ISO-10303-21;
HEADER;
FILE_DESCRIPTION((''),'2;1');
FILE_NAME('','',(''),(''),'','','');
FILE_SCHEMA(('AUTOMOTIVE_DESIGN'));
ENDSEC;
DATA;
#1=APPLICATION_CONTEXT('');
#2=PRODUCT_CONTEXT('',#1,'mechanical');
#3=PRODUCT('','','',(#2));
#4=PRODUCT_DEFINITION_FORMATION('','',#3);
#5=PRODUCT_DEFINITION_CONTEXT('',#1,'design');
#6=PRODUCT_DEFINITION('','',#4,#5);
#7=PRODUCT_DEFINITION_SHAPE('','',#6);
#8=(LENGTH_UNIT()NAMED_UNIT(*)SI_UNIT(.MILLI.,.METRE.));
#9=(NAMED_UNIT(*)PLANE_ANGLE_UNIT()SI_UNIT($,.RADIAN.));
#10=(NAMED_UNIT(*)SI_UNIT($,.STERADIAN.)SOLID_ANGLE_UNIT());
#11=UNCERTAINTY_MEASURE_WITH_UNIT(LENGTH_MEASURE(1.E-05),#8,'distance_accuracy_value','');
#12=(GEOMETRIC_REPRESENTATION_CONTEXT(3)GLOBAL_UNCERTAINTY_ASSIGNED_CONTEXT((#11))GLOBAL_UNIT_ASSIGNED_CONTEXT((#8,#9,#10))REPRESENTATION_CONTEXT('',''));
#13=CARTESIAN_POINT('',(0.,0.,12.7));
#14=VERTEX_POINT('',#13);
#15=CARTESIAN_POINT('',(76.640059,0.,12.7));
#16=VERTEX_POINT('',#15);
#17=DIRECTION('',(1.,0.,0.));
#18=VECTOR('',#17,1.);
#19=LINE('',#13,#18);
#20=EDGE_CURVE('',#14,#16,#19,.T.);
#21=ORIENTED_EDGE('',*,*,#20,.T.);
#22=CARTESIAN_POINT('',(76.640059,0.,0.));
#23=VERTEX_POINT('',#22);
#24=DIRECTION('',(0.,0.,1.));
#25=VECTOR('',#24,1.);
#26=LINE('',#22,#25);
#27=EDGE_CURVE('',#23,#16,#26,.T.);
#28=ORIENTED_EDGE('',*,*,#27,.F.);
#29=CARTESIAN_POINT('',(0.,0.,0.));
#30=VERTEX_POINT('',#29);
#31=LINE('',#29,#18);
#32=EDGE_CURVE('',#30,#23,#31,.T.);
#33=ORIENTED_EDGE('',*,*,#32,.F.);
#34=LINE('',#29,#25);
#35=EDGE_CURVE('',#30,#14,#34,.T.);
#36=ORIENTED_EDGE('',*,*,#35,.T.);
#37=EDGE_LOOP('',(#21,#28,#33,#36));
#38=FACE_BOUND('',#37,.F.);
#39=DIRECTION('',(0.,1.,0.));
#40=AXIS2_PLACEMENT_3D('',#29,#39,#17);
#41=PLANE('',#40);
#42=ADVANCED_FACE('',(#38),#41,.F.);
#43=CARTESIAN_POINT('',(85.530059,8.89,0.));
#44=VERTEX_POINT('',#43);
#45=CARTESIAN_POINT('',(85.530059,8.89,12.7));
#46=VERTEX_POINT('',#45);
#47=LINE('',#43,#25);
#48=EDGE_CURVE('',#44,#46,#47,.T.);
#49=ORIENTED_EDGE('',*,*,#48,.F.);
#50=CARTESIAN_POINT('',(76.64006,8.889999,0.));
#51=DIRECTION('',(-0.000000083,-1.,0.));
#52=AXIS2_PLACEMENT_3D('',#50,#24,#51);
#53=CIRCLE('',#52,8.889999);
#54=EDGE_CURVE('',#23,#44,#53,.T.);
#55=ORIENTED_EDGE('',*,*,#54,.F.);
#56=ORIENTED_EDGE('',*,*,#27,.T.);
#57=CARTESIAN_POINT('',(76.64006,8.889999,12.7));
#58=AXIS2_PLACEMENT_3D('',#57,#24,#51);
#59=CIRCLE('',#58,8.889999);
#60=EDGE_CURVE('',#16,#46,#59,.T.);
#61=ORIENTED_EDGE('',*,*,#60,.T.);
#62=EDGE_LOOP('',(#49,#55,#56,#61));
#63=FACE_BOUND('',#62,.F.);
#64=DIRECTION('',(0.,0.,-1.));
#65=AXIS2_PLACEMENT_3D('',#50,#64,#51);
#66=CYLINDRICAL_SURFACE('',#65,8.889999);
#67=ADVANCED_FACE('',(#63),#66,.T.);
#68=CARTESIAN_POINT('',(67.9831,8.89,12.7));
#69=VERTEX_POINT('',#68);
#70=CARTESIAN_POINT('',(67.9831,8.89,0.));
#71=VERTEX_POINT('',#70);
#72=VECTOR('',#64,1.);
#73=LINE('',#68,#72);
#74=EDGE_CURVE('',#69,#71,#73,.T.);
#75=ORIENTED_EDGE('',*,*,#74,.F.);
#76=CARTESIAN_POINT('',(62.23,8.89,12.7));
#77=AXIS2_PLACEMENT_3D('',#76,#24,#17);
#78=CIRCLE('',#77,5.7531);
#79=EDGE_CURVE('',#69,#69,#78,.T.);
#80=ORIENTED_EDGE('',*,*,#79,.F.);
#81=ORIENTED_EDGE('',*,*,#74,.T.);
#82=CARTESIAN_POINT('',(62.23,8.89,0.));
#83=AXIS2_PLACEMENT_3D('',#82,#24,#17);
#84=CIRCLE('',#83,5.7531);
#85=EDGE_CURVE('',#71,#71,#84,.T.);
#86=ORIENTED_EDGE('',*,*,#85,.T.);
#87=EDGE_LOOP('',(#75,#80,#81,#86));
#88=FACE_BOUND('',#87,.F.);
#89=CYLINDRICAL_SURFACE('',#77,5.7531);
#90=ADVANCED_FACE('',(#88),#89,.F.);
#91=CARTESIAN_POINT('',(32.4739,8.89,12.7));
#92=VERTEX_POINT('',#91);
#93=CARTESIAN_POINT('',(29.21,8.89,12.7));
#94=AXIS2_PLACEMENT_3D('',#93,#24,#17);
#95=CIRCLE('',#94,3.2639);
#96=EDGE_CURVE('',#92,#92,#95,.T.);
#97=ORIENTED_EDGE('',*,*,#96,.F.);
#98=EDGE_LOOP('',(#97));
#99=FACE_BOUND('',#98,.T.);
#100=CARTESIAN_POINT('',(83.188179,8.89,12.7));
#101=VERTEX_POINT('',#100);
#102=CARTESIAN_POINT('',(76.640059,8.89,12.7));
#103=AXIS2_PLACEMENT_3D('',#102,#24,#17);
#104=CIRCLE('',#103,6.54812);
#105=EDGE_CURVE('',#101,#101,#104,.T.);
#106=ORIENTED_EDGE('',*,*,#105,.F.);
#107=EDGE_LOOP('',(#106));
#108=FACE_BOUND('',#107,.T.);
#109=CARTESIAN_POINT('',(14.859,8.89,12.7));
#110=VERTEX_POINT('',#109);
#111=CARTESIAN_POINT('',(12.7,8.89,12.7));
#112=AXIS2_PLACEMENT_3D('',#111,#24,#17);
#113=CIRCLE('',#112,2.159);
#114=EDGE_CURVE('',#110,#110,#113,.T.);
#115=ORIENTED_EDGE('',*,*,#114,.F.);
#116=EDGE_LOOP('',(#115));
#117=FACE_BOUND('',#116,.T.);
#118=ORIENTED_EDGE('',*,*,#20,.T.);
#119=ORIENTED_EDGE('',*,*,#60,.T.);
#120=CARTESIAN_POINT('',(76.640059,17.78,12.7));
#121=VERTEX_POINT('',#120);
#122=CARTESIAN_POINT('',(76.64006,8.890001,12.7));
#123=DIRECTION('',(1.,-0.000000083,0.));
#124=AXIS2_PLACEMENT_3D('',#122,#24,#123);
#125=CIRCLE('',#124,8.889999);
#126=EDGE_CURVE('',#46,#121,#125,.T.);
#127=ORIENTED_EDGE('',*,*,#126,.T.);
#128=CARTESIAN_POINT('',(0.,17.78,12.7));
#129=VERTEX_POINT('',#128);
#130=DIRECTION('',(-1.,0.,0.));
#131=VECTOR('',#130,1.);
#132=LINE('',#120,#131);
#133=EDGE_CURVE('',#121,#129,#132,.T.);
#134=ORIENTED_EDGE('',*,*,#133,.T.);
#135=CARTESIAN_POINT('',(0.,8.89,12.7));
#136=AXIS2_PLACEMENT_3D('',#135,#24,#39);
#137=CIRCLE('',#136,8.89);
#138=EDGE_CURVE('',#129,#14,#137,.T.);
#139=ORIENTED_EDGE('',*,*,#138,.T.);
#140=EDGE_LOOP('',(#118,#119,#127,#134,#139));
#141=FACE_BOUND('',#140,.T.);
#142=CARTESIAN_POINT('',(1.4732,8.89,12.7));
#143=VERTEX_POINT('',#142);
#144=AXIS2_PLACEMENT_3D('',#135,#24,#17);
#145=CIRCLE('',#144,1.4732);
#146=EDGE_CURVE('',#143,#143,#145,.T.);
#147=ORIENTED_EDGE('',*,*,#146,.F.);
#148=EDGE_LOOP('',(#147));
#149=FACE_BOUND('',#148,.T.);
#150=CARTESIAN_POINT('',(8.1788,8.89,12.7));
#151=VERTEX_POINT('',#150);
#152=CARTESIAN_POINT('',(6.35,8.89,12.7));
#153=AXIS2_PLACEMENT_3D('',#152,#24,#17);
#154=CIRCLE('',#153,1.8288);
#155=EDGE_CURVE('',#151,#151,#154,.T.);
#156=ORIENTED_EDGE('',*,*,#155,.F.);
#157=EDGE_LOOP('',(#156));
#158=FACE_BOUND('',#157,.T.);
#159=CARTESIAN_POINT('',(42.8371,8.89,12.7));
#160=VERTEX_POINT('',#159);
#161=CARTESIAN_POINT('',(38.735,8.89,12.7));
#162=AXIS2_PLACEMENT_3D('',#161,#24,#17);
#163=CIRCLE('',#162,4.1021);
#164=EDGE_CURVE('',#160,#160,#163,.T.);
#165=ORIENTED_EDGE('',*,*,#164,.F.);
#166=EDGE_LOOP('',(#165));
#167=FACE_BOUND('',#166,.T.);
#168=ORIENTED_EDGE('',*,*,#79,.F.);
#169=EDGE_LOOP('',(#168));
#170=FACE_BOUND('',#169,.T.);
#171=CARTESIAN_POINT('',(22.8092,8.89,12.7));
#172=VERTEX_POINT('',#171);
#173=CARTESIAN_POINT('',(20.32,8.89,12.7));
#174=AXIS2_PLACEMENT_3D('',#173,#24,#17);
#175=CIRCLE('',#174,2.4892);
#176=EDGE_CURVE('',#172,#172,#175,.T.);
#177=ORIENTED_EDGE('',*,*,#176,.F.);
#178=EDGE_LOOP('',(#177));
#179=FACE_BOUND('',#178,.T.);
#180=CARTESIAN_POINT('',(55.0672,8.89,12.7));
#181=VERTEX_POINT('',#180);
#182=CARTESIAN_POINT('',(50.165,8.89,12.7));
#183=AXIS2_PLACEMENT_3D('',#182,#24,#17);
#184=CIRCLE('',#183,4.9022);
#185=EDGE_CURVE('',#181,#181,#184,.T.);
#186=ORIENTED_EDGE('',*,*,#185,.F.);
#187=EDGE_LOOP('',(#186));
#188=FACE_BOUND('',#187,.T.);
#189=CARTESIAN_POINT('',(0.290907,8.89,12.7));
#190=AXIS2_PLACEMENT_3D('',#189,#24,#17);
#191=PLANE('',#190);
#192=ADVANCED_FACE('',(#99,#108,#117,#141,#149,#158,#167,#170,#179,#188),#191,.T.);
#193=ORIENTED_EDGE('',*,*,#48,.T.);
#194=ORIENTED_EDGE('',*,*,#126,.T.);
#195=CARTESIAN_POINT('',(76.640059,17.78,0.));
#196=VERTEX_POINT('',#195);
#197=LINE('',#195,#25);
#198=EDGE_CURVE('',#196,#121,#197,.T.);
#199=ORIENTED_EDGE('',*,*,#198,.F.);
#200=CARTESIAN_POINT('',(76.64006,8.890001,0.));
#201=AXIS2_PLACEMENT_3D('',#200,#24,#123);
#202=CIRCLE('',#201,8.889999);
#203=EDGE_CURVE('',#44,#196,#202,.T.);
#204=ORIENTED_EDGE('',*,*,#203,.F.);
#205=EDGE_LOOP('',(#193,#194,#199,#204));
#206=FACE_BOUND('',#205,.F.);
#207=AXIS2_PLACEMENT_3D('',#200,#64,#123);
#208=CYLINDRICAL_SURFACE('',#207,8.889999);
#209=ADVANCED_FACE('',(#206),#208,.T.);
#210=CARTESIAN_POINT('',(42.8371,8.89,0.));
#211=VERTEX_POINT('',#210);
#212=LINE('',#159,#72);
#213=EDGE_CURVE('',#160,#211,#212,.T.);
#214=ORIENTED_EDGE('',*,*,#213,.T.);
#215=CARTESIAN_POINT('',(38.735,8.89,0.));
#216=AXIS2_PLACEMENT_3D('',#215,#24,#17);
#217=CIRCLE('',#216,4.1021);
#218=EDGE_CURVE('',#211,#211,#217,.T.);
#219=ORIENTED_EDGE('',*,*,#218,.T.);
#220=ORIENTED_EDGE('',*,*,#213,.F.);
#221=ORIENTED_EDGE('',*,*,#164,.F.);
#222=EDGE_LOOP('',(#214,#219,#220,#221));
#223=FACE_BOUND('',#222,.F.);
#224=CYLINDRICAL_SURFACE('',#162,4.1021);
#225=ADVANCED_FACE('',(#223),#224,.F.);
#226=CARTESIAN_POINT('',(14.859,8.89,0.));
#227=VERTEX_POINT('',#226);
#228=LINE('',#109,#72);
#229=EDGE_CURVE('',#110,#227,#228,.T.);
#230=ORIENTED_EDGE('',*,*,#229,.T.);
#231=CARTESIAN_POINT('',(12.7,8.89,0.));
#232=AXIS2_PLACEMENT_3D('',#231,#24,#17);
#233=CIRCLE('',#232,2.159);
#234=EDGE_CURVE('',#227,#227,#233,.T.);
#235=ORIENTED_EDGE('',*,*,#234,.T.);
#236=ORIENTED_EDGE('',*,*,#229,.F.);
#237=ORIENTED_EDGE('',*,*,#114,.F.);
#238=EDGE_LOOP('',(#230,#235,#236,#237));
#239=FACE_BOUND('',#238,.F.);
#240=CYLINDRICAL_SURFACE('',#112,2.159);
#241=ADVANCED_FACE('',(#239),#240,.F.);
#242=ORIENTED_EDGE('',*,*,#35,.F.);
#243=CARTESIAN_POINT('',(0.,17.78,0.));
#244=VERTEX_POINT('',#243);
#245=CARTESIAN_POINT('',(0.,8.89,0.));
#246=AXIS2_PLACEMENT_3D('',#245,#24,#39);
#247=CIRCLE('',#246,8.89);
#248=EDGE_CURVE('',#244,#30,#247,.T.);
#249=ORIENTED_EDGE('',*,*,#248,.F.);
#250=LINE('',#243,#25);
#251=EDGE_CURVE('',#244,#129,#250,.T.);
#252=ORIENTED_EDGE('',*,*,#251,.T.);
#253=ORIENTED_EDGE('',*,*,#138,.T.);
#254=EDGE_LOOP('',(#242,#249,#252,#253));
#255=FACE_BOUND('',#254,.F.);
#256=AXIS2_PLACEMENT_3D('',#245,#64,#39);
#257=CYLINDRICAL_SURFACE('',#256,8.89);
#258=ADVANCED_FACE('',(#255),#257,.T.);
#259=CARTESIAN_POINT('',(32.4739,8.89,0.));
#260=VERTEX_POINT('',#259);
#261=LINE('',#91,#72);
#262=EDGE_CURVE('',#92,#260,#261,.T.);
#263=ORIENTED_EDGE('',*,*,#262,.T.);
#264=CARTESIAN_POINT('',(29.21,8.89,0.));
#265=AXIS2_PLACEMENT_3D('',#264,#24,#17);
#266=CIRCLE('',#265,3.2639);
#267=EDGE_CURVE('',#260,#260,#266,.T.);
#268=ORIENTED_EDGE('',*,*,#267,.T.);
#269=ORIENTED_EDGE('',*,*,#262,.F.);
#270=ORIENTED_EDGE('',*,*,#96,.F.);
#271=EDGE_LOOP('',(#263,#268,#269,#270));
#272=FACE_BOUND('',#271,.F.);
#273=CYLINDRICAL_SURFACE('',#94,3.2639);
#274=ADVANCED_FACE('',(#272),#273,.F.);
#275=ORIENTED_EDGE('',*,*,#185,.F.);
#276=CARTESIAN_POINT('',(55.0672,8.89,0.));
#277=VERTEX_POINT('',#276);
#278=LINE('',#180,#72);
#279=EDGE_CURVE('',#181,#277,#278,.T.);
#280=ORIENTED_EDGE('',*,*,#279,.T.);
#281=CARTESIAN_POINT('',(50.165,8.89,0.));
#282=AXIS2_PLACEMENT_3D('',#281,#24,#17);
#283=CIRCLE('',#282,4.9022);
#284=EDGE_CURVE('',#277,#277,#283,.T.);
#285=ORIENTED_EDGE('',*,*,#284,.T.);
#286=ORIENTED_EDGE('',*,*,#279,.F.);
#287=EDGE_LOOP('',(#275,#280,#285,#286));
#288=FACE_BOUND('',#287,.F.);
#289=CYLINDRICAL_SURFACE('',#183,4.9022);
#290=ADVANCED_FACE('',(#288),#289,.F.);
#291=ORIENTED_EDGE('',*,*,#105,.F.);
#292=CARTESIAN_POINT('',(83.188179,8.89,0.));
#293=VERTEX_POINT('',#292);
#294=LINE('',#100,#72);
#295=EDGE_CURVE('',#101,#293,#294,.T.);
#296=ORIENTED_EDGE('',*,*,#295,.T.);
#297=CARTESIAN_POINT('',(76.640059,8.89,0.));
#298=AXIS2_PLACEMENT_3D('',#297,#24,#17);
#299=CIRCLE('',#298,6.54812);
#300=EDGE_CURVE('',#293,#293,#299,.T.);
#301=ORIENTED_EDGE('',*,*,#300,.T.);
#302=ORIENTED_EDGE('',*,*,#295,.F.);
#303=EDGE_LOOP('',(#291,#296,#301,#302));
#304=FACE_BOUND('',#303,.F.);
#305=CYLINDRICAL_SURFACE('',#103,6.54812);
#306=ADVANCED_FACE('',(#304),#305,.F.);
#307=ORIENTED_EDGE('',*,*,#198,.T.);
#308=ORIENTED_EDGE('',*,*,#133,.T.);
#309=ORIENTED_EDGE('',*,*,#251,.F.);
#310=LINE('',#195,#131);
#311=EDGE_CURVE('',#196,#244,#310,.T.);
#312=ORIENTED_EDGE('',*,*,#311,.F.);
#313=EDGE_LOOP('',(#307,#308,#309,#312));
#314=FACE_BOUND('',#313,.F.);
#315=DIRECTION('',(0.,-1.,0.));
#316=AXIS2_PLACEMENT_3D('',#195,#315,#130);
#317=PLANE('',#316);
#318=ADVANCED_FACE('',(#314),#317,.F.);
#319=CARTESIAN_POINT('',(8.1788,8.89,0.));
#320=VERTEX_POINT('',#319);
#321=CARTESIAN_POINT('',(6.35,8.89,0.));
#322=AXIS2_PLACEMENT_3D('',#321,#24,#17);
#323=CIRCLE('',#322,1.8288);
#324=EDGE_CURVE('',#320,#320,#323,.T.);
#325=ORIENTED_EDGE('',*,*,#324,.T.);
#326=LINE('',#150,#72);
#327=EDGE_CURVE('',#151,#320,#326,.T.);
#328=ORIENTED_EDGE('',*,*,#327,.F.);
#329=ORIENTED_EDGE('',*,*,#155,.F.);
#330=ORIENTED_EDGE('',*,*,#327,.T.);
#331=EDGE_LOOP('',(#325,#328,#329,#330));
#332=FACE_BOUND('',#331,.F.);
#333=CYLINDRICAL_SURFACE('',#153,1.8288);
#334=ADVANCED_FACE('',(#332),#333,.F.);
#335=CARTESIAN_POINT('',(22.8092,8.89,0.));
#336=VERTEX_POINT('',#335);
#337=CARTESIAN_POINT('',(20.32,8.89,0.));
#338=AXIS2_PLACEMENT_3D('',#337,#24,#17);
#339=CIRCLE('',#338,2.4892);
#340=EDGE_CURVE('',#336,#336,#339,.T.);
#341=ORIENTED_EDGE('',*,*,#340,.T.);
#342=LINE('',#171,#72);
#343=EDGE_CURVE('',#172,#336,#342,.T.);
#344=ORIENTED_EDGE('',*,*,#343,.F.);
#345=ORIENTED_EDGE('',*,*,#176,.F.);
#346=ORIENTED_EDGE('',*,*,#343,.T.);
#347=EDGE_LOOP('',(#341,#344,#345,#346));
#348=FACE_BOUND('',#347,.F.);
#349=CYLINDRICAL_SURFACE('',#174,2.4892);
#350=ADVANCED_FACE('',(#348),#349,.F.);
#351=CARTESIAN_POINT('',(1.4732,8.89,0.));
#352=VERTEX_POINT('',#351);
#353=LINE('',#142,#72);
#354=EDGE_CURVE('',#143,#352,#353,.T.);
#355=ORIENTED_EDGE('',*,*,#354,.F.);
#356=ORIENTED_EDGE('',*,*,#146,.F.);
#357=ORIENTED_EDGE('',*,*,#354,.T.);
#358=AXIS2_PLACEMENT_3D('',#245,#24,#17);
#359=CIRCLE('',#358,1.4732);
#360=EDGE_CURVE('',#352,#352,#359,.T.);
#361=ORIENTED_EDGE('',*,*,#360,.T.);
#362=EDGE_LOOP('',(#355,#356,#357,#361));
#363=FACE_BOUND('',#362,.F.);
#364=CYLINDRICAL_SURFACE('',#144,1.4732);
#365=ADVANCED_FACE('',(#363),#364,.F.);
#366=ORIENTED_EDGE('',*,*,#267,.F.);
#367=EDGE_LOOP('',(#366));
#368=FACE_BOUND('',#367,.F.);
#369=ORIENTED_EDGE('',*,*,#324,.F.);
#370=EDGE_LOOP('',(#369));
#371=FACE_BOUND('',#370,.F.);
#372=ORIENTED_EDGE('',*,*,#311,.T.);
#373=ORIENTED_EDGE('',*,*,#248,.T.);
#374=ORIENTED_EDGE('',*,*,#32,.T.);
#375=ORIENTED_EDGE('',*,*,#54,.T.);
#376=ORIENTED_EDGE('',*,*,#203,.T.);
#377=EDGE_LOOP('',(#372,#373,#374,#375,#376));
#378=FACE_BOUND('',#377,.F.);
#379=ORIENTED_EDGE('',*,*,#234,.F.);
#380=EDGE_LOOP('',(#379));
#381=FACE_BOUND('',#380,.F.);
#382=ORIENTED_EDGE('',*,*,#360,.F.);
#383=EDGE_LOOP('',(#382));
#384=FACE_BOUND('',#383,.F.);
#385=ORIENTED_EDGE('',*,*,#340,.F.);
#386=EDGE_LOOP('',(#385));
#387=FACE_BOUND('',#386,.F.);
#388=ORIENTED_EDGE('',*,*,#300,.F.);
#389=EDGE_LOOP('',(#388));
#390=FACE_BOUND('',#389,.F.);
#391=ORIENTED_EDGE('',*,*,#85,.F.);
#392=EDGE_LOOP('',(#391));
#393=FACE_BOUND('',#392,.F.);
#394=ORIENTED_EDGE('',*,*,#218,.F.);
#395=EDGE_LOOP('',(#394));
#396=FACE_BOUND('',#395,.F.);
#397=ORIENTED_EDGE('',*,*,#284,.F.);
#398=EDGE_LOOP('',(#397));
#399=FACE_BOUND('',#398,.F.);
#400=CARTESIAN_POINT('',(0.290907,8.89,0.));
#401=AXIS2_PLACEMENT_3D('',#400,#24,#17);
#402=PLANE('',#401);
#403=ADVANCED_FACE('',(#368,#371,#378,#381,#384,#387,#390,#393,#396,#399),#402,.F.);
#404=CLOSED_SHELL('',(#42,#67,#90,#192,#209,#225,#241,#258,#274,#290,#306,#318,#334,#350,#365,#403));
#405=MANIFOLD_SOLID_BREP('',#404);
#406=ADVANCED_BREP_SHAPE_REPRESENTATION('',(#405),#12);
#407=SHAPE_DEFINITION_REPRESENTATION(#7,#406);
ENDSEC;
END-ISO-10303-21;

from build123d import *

# Parameters (mm, degrees)
F1_DEPTH = 12.7
F2_R     = 1.4732
F2_R_2   = 6.54812
F2_R_3   = 1.8288
F2_R_4   = 2.159
F2_R_5   = 2.4892
F2_R_6   = 3.2639
F2_R_7   = 4.1021
F2_R_8   = 4.9022
F2_R_9   = 5.7531
F3_DEPTH = 12.701


with BuildPart() as f1:
    # F0 (on Top) → F1 (new body)
    with BuildSketch(Plane.XY):
        with BuildLine():
            ThreePointArc((0, 0), (6.286179, 2.603821), (8.89, 8.89))
            ThreePointArc((8.89, 8.89), (6.286179, 15.176179), (0, 17.78))
            ThreePointArc((0, 17.78), (-8.89, 8.89), (0, 0))
        make_face()
        with BuildLine():
            ThreePointArc((0, 17.78), (6.286179, 15.176179), (8.89, 8.89))
            ThreePointArc((8.89, 8.89), (6.286179, 2.603821), (0, 0))
            Line((0, 0), (76.640059, 0))
            ThreePointArc((76.640059, 0), (67.750059, 8.89), (76.640059, 17.78))
            Line((76.640059, 17.78), (0, 17.78))
        make_face()
        with BuildLine():
            ThreePointArc((85.530059, 8.89), (82.926239, 15.176179), (76.640059, 17.78))
            ThreePointArc((76.640059, 17.78), (67.750059, 8.89), (76.640059, 0))
            ThreePointArc((76.640059, 0), (82.926239, 2.603821), (85.530059, 8.89))
        make_face()
    extrude(amount=F1_DEPTH)

    # F2 (on face) → F3 (cut, through all)
    with BuildSketch(Plane.XY.offset(12.7)):
        with Locations((0, 8.89)):
            Circle(F2_R)
        with Locations((76.640059, 8.89)):
            Circle(F2_R_2)
        with Locations((6.35, 8.89)):
            Circle(F2_R_3)
        with Locations((12.7, 8.89)):
            Circle(F2_R_4)
        with Locations((20.32, 8.89)):
            Circle(F2_R_5)
        with Locations((29.21, 8.89)):
            Circle(F2_R_6)
        with Locations((38.735, 8.89)):
            Circle(F2_R_7)
        with Locations((50.165, 8.89)):
            Circle(F2_R_8)
        with Locations((62.23, 8.89)):
            Circle(F2_R_9)
    extrude(amount=-F3_DEPTH, mode=Mode.SUBTRACT)


solid = f1.part
